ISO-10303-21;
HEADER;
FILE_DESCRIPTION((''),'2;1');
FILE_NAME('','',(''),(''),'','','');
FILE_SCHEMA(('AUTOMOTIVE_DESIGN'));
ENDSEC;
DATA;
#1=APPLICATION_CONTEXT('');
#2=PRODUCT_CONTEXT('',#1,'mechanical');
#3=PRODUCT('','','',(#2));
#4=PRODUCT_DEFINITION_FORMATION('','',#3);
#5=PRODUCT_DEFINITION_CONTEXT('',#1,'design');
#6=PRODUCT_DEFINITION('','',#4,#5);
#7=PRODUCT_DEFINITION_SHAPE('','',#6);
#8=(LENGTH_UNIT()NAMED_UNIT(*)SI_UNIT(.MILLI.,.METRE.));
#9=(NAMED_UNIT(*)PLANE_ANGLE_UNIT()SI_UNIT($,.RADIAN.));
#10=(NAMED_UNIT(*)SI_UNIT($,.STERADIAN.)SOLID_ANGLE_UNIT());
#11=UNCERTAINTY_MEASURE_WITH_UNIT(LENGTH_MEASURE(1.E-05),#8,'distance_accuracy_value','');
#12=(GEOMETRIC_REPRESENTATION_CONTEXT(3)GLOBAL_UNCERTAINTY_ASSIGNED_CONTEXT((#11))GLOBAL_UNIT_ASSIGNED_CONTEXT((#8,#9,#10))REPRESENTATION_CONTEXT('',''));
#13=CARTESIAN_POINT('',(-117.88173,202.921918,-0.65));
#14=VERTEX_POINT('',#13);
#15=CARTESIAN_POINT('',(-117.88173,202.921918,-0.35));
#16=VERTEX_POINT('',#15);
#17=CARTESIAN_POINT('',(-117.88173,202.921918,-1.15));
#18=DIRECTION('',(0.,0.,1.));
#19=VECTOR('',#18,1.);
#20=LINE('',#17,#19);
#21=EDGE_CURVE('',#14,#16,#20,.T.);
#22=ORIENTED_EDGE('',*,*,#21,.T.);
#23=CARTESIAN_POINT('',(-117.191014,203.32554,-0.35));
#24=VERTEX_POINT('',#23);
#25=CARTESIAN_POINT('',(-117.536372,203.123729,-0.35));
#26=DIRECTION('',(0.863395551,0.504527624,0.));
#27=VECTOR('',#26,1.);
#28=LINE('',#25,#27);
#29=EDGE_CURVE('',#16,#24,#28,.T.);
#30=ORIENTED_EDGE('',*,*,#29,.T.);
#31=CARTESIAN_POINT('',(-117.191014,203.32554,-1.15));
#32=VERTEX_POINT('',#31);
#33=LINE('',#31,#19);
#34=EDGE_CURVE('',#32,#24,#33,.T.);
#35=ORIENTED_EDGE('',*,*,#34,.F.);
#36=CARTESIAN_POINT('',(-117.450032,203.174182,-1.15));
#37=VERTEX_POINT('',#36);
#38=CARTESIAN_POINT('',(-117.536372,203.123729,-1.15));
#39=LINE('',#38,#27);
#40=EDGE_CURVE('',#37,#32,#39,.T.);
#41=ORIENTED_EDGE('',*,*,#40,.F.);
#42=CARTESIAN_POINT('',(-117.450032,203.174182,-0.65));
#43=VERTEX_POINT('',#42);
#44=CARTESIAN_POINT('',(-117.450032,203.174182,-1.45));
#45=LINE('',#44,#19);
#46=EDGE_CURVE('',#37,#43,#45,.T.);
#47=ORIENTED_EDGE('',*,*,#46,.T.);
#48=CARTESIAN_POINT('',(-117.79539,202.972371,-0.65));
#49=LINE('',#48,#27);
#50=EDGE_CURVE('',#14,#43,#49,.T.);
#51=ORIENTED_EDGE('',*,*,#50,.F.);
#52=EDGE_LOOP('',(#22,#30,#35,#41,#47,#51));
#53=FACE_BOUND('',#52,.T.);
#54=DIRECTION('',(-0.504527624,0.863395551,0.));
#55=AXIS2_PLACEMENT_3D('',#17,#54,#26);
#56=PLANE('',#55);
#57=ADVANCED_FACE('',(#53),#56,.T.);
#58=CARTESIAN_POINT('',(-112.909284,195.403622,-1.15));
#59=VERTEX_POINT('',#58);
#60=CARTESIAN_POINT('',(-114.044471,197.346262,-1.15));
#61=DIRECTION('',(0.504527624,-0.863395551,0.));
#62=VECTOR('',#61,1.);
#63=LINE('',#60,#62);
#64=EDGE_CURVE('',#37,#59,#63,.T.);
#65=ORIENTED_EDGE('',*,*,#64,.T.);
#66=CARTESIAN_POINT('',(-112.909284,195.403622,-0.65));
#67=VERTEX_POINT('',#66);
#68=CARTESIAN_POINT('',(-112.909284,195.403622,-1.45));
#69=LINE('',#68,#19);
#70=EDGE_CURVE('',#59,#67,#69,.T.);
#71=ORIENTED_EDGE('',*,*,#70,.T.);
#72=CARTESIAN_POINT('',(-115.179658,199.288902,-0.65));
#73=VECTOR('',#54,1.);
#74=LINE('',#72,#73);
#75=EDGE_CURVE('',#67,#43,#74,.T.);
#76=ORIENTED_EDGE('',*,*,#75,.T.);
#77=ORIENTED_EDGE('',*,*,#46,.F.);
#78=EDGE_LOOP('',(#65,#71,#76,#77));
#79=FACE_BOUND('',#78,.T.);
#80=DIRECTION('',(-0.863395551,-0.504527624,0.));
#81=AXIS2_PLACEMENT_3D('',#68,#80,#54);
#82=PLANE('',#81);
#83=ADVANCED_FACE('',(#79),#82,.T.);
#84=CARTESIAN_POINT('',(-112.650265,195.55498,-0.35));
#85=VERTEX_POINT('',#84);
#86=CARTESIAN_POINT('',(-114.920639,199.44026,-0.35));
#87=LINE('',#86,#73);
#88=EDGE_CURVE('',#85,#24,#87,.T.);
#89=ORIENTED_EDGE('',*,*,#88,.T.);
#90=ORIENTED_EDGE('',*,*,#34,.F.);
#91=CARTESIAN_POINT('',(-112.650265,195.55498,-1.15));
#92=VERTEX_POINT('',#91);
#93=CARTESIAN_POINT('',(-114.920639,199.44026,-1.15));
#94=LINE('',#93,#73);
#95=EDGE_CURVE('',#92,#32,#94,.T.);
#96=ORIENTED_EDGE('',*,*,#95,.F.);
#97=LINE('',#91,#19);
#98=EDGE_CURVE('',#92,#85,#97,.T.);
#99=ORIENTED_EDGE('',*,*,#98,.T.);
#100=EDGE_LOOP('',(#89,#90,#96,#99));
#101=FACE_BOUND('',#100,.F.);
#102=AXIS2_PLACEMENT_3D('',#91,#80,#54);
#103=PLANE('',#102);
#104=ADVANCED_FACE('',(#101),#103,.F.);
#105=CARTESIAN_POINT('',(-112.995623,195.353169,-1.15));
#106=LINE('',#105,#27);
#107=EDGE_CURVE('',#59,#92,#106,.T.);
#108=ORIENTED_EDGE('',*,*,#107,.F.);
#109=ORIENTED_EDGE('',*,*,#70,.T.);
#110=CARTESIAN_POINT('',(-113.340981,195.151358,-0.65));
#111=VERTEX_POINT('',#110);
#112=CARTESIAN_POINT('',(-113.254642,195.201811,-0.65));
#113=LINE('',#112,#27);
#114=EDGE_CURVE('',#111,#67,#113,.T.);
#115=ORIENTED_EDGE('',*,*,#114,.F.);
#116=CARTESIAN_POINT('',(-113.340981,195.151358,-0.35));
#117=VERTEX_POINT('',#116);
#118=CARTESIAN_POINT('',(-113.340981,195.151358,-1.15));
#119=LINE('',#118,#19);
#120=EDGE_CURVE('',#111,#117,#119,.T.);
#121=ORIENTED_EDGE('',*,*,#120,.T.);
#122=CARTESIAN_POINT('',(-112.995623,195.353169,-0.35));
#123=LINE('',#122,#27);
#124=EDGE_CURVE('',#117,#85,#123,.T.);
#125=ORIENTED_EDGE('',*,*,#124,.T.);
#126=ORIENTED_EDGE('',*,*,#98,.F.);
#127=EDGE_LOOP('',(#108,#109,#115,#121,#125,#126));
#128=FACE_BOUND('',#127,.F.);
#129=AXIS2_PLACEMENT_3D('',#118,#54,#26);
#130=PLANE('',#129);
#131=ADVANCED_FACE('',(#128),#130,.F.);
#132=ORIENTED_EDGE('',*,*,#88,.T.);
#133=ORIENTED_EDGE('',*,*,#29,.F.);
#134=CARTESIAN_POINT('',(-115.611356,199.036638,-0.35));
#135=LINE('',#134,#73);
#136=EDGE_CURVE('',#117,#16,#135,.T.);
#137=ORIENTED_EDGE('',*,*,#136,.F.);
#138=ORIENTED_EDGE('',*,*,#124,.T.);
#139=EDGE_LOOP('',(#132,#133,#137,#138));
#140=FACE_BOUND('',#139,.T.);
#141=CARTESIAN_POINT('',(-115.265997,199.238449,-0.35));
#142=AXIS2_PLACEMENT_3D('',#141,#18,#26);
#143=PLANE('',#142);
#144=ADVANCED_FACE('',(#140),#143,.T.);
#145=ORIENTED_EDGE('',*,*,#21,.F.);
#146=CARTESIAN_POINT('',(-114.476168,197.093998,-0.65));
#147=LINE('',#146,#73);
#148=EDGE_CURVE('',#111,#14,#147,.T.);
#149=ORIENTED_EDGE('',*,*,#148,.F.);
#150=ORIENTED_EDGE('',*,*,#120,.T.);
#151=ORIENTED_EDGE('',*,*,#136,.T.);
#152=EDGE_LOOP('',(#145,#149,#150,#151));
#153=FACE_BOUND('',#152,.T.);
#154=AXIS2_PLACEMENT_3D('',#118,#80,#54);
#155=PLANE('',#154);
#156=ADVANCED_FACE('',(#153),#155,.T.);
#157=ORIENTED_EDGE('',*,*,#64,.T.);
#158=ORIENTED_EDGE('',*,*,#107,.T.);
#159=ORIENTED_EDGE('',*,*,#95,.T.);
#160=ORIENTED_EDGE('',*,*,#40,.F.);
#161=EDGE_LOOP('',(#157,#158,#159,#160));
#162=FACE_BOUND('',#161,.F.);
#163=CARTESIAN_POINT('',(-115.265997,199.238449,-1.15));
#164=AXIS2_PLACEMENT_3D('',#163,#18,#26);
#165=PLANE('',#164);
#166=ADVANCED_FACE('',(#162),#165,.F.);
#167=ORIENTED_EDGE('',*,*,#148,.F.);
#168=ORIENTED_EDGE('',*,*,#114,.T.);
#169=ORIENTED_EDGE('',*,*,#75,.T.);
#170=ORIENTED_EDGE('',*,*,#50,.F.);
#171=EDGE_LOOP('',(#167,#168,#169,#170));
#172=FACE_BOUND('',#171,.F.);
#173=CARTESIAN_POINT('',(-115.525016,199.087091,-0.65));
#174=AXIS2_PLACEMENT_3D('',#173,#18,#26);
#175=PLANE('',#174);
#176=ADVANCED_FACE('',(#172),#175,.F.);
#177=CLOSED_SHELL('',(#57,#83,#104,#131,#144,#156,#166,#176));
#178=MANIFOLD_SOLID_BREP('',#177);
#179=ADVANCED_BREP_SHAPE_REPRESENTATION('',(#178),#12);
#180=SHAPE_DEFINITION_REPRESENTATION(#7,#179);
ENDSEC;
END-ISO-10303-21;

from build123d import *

# Parameters (mm, degrees)
BOX143_W               = 0.8
BOX143_H               = 9
BOX143_DEPTH           = 0.8
BOX144_W               = 0.8
BOX144_H               = 9
BOX144_DEPTH           = 0.8
CUT075_PLACEMENT_ANGLE = 30.3


with BuildPart() as cubo143:
    # Box143 → Box143 (new body)
    with BuildSketch(Plane.XY):
        with Locations((0.4, 4.5)):
            Rectangle(BOX143_W, BOX143_H)
    extrude(amount=BOX143_DEPTH)


with BuildPart() as perfil_l_2da_cara017:
    # Box144 → Box144 (new body)
    with BuildSketch(Plane(origin=(0.3, 0, 0.3), x_dir=(1, 0, 0), z_dir=(0, 0, 1))):
        with Locations((0.4, 4.5)):
            Rectangle(BOX144_W, BOX144_H)
    extrude(amount=BOX144_DEPTH)

    # Cut075: cut Cubo143
    add(cubo143.part, mode=Mode.SUBTRACT)


with BuildPart() as perfil_l_2da_cara017_1:
    # Cut075 placement: moved
    add(perfil_l_2da_cara017.part.moved(Location((-113.6, 195, -1.45))).rotate(Axis((-113.6, 195, -1.45), (0, 0, 1)), CUT075_PLACEMENT_ANGLE))


solid = perfil_l_2da_cara017_1.part
